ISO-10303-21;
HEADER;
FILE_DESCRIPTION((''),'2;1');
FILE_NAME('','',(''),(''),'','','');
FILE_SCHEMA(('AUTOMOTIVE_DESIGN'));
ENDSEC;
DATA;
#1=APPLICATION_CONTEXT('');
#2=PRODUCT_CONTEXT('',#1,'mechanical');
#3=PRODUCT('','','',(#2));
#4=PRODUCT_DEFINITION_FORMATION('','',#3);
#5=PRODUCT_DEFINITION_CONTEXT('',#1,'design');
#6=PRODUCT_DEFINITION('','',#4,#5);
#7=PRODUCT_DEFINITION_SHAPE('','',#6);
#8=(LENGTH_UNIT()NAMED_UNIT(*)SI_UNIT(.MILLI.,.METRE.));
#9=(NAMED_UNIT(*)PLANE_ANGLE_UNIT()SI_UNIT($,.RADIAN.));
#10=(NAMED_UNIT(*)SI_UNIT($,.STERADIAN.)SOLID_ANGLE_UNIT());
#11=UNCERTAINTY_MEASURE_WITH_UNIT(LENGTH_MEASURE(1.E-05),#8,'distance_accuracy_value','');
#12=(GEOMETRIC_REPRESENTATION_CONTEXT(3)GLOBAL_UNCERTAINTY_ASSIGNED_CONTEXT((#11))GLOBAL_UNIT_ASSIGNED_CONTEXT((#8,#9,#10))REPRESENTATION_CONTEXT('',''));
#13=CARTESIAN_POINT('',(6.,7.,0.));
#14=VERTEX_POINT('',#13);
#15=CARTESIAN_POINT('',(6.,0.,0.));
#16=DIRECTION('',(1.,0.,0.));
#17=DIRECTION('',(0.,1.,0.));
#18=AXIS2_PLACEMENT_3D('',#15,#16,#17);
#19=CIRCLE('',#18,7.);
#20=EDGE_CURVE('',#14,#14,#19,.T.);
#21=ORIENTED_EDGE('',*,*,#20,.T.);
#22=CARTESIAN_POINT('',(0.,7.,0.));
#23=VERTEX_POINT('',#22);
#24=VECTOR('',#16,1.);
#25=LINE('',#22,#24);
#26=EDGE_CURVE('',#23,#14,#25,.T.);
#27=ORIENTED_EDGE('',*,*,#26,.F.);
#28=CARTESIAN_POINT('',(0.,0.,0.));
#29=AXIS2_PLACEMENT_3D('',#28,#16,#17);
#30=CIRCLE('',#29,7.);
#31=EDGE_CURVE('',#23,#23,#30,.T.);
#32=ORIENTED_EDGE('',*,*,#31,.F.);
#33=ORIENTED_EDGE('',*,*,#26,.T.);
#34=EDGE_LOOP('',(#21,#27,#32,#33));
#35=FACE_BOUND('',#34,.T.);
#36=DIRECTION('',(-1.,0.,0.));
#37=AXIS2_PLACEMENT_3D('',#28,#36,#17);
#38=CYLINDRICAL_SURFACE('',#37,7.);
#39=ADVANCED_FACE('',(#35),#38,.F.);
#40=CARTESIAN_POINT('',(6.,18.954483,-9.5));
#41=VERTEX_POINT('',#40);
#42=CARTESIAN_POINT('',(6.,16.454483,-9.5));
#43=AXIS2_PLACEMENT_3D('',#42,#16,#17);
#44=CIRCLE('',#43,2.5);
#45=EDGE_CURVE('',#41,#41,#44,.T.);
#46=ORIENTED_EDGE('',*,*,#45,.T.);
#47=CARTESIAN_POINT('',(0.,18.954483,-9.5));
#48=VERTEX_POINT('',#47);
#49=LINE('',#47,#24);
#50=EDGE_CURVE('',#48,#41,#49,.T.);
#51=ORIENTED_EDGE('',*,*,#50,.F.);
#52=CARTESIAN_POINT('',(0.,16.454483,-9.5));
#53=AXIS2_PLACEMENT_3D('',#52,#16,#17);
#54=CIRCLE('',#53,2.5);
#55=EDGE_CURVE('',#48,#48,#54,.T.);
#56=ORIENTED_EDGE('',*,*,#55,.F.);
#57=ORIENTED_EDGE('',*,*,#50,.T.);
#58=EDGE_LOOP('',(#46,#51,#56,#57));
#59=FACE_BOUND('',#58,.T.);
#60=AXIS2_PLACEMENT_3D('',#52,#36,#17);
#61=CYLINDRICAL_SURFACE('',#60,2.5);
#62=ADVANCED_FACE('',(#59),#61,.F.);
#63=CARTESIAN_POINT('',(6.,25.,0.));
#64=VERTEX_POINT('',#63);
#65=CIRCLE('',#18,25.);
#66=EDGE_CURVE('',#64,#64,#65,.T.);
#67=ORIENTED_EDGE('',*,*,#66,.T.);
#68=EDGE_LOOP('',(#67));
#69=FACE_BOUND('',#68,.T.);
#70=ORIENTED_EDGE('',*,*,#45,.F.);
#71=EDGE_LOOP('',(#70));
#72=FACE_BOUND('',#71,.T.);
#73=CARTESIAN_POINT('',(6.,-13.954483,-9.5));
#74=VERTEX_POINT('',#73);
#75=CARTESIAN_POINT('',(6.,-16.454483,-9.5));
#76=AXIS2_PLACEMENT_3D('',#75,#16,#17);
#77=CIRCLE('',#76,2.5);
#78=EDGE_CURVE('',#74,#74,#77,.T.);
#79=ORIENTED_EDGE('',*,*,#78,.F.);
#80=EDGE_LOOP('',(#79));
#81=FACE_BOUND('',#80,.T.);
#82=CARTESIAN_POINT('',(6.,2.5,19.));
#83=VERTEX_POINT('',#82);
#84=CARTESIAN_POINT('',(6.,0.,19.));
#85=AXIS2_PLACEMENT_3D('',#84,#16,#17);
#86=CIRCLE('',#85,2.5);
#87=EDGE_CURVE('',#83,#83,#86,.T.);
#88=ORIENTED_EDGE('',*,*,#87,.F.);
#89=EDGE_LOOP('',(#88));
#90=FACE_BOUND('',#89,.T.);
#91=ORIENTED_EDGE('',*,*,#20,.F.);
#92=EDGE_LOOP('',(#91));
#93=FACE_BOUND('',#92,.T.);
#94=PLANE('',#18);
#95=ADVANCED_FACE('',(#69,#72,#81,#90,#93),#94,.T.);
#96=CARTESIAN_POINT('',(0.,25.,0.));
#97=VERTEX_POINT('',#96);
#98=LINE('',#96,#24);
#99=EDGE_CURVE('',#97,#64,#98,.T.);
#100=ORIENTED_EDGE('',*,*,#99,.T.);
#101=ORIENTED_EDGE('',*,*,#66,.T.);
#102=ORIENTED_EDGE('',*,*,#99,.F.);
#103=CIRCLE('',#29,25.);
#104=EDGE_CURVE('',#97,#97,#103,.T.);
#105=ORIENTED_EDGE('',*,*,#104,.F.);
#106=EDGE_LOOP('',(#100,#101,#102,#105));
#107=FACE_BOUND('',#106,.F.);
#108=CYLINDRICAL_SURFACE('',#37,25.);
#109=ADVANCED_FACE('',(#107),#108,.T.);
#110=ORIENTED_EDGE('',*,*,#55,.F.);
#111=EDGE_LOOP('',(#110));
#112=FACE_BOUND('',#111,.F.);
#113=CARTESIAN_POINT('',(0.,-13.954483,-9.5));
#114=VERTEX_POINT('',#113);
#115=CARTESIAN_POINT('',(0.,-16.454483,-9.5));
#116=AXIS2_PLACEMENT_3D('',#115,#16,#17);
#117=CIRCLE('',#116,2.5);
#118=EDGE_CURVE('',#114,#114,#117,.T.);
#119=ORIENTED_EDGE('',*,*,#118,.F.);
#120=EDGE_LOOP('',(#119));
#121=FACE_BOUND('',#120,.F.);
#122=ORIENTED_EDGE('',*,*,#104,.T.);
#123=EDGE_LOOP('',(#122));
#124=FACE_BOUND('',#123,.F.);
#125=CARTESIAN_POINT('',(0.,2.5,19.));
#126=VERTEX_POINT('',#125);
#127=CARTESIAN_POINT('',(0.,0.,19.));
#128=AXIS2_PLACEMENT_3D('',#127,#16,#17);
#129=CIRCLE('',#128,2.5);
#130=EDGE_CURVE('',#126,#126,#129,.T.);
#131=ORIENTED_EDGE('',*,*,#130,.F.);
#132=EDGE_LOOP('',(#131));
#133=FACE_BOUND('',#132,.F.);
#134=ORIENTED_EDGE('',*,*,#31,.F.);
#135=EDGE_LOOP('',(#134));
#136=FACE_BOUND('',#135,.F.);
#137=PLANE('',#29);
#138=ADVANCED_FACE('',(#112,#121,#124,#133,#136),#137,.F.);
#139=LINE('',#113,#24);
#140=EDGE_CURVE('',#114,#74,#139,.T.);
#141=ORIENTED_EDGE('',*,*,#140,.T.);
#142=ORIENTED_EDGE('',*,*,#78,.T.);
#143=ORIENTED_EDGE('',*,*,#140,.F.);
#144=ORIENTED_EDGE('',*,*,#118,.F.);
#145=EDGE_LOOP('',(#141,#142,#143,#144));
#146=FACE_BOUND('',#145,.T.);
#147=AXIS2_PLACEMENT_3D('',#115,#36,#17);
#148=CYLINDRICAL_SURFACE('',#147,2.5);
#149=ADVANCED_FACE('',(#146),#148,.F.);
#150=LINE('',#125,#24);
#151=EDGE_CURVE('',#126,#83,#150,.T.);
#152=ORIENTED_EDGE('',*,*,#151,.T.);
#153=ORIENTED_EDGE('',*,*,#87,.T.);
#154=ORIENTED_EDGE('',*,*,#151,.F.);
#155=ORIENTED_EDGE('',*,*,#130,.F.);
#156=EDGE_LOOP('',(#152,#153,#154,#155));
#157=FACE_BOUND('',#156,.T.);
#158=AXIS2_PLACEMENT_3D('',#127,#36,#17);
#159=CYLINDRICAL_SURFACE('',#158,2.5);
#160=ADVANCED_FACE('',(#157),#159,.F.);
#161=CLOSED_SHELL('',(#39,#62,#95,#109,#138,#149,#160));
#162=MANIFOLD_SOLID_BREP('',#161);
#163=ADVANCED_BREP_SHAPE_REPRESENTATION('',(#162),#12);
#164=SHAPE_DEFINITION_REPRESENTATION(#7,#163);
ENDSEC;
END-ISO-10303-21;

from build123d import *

# Parameters (mm, degrees)
F0_R     = 25
F0_R_2   = 2.5
F0_R_3   = 7
F1_DEPTH = 6


with BuildPart() as f1:
    # F0 (on Right) → F1 (new body)
    with BuildSketch(Plane.YZ):
        Circle(F0_R)
        with Locations((-16.454483, -9.5)):
            Circle(F0_R_2, mode=Mode.SUBTRACT)
        with Locations((16.454483, -9.5)):
            Circle(F0_R_2, mode=Mode.SUBTRACT)
        Circle(F0_R_3, mode=Mode.SUBTRACT)
        with Locations((0, 19)):
            Circle(F0_R_2, mode=Mode.SUBTRACT)
    extrude(amount=F1_DEPTH)


solid = f1.part
